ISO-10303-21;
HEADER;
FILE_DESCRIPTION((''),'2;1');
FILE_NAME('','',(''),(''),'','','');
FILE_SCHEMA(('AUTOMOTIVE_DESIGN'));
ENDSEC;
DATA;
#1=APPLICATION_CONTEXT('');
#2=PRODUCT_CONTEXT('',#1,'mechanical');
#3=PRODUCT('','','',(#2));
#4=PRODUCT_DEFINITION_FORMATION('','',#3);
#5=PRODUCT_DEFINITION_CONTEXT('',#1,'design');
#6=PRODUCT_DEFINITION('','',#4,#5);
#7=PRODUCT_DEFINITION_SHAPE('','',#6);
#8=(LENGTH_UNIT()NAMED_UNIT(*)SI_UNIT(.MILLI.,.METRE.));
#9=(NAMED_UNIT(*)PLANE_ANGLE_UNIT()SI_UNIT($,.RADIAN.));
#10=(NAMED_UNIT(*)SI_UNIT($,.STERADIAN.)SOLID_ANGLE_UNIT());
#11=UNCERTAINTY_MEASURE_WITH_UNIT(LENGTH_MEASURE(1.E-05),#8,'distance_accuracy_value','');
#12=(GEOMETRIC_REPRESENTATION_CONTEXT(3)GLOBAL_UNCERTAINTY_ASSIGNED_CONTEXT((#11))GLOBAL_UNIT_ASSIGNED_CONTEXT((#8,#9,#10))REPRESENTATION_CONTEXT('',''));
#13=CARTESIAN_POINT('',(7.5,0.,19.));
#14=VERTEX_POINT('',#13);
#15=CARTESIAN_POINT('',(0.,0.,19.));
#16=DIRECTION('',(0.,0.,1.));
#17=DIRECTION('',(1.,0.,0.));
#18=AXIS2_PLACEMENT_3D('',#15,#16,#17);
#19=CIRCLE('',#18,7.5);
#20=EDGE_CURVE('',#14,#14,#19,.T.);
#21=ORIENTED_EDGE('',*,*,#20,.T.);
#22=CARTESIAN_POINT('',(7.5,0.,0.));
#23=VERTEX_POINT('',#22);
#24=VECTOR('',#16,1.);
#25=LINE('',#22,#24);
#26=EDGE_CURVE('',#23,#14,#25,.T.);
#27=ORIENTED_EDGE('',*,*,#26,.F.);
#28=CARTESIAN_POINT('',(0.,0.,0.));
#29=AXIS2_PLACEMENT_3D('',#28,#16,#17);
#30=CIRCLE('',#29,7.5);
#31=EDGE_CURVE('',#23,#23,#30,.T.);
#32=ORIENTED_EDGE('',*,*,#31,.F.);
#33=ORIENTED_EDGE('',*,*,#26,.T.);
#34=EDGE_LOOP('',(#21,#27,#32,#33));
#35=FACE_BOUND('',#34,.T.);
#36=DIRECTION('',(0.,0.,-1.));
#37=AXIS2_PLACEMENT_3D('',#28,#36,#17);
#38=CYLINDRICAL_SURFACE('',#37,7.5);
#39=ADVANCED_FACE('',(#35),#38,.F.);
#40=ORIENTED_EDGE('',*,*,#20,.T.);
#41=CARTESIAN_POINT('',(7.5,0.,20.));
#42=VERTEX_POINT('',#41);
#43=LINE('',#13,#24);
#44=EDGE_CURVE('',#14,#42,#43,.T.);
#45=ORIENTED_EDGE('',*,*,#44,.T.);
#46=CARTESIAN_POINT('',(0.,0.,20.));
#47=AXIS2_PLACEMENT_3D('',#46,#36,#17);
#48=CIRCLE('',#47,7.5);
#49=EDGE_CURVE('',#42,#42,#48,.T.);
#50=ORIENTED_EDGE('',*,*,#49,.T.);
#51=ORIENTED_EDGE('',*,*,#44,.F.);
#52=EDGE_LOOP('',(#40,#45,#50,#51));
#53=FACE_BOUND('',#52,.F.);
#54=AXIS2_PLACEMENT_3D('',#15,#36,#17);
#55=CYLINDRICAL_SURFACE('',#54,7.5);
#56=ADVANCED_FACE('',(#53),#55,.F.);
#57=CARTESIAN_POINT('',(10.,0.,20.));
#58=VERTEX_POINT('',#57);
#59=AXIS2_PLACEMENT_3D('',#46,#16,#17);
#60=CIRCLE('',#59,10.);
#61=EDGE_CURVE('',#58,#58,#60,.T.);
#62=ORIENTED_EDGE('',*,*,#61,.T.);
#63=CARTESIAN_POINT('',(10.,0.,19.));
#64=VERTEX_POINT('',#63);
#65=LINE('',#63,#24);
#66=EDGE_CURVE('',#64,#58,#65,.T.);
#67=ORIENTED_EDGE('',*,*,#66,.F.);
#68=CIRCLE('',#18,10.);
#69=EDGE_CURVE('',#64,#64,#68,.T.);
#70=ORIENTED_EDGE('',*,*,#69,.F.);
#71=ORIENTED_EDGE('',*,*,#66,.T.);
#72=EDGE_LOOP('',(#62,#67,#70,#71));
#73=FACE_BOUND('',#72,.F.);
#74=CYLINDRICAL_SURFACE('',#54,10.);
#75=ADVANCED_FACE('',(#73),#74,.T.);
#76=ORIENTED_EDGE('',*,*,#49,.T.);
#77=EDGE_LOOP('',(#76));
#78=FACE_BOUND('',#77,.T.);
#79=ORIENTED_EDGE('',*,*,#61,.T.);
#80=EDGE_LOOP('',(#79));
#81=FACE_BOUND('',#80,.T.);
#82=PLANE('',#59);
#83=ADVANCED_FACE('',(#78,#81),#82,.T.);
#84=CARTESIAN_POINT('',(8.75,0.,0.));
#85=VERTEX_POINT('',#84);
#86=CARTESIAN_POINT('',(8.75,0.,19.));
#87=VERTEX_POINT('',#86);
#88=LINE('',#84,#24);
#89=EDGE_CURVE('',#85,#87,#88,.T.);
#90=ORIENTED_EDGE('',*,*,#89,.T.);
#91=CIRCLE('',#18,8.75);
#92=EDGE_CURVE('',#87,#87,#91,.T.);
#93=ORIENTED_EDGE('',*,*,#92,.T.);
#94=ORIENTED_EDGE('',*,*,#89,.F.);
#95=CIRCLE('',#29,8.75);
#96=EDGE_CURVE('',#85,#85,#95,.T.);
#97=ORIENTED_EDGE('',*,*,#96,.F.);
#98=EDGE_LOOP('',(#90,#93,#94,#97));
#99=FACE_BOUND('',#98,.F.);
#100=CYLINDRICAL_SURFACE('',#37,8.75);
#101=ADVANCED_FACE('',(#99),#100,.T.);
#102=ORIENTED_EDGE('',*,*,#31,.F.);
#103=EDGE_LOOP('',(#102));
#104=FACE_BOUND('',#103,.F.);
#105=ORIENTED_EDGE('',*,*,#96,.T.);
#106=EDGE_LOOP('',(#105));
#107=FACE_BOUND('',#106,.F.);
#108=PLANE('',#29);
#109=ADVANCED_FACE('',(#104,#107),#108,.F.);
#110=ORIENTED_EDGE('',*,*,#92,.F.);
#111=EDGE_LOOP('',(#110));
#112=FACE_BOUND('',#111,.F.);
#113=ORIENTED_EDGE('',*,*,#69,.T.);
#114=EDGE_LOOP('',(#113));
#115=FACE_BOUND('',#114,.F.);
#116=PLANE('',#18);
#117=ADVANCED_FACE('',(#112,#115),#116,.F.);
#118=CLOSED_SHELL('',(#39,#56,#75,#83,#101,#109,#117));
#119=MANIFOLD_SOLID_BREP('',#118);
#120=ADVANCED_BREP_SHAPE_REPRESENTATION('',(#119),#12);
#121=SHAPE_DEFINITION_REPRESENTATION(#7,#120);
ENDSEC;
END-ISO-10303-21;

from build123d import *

# Parameters (mm, degrees)
F0_R     = 8.75
F1_DEPTH = 19
F2_T     = -1.25
F3_R     = 10
F4_DEPTH = 1
F5_R     = 7.5
F6_DEPTH = 1.001


with BuildPart() as f1:
    # F0 (on Top) → F1 (new body)
    with BuildSketch(Plane.XY):
        Circle(F0_R)
    extrude(amount=F1_DEPTH)

    # F2
    f2_openings = [f1.faces().sort_by_distance(p)[0] for p in [
        (0, 0, 19),
        (0, 0, 0),
    ]]
    offset(amount=F2_T, openings=f2_openings)

    # F3 (on face) → F4 (join)
    with BuildSketch(Plane.XY.offset(19)):
        Circle(F3_R)
    extrude(amount=F4_DEPTH)

    # F5 (on face) → F6 (cut, through all)
    with BuildSketch(Plane(origin=(0, 0, 19), x_dir=(1, 0, 0), z_dir=(0, 0, -1))):
        Circle(F5_R)
    extrude(amount=-F6_DEPTH, mode=Mode.SUBTRACT)


solid = f1.part
